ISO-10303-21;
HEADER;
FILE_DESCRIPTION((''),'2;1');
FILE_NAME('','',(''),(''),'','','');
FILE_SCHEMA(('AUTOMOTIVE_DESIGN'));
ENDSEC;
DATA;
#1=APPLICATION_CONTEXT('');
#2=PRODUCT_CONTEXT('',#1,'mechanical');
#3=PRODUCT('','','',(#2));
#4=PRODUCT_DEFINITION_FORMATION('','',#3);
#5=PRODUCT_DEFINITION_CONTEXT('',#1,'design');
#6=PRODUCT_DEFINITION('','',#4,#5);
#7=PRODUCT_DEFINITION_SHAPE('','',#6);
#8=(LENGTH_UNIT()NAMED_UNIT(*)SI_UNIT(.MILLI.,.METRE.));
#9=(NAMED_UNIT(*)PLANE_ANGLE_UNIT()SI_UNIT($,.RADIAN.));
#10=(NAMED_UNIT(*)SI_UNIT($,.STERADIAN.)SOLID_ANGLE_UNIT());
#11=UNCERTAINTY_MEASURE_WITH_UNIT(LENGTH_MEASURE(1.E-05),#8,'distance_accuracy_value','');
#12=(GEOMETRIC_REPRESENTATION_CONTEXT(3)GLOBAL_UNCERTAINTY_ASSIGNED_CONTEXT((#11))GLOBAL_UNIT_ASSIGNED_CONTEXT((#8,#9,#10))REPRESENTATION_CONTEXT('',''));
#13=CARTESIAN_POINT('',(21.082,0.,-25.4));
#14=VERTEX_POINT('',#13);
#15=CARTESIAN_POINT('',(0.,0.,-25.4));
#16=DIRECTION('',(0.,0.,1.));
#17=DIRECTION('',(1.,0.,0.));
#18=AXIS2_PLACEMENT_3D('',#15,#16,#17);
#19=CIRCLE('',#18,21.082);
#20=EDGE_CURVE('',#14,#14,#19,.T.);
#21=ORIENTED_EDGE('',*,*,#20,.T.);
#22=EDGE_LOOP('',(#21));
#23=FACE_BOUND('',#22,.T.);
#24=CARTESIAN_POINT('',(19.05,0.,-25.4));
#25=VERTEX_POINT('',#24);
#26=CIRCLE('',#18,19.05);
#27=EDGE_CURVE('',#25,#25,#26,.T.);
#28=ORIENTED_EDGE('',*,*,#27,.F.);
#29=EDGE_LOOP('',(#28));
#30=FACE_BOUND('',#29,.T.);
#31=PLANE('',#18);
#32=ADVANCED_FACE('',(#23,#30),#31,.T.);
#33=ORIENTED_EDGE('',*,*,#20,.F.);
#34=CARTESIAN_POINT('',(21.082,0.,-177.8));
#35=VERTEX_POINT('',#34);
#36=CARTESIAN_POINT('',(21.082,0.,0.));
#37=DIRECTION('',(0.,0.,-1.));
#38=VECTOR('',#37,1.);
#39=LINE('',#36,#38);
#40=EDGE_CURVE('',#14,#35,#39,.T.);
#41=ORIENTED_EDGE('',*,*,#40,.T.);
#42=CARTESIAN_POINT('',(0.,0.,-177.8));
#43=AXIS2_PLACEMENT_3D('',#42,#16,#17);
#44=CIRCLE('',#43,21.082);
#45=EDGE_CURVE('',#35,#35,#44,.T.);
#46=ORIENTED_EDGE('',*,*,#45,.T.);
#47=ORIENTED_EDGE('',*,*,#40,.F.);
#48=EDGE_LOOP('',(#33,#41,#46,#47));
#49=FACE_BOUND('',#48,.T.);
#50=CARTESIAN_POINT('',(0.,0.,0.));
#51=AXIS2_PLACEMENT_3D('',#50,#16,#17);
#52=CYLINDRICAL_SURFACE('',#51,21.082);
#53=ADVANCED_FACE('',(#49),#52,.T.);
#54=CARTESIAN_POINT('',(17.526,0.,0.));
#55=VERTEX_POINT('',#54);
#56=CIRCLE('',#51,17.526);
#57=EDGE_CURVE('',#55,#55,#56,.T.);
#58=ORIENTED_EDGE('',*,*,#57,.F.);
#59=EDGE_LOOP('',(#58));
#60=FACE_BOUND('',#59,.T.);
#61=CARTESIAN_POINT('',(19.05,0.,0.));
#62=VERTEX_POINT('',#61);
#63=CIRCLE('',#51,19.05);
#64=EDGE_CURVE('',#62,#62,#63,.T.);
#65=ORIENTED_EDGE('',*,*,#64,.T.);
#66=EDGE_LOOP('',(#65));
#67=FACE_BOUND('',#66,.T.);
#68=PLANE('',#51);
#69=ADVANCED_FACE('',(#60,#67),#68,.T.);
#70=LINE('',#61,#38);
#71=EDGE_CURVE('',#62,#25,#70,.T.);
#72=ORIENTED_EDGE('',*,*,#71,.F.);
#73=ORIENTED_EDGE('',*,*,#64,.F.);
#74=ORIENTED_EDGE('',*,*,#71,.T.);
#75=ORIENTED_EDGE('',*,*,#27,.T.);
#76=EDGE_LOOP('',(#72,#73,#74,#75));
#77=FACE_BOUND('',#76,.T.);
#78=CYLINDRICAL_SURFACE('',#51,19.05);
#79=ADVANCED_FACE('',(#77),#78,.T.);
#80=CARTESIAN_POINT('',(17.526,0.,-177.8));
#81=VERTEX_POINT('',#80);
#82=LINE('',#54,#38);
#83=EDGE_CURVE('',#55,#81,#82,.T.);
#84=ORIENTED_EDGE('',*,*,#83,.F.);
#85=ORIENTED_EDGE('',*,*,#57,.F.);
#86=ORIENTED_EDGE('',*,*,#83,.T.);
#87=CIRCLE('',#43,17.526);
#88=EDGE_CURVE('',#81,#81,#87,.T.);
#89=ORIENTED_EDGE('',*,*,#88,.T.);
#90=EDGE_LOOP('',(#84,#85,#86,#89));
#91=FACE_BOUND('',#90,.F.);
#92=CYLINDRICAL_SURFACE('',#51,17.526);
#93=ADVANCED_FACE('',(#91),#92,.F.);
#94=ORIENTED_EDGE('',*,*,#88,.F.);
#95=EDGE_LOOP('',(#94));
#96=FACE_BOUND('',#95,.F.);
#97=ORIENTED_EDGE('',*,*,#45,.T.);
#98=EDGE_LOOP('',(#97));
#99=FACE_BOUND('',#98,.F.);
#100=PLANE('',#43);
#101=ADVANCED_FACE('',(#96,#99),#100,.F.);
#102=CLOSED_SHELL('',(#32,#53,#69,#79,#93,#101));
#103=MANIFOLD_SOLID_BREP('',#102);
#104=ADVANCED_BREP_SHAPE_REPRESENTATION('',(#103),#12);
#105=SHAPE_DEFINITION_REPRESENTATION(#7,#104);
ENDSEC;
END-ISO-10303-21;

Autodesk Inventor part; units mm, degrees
ref_plane "YZ Plane" through (0, 0, 0) normal (1, 0, 0) x (0, 1, 0)
ref_plane "XZ Plane" through (0, 0, 0) normal (0, 1, 0) x (-1, 0, 0)
ref_plane "XY Plane" through (0, 0, 0) normal (0, 0, 1) x (1, 0, 0)
sketch "Sketch1" plane through (0, 0, 0) normal (0, 0, 1) x (1, 0, 0)
  circle A0 centre (0, 0) radius 21.082
  circle A1 centre (0, 0) radius 17.526
  circle A2 centre (0, 0) radius 19.05
  dimension "d0" = 42.164
  dimension "d1" = 35.052
  dimension "d4" = 38.1
extrude "Extrusion1" add sketch "Sketch1" against normal blind 177.8 contours A0 | A2
extrude "Extrusion2" cut sketch "Sketch1" against normal blind 25.4 contours A0
properties part number "pvc pipe 7inch"
